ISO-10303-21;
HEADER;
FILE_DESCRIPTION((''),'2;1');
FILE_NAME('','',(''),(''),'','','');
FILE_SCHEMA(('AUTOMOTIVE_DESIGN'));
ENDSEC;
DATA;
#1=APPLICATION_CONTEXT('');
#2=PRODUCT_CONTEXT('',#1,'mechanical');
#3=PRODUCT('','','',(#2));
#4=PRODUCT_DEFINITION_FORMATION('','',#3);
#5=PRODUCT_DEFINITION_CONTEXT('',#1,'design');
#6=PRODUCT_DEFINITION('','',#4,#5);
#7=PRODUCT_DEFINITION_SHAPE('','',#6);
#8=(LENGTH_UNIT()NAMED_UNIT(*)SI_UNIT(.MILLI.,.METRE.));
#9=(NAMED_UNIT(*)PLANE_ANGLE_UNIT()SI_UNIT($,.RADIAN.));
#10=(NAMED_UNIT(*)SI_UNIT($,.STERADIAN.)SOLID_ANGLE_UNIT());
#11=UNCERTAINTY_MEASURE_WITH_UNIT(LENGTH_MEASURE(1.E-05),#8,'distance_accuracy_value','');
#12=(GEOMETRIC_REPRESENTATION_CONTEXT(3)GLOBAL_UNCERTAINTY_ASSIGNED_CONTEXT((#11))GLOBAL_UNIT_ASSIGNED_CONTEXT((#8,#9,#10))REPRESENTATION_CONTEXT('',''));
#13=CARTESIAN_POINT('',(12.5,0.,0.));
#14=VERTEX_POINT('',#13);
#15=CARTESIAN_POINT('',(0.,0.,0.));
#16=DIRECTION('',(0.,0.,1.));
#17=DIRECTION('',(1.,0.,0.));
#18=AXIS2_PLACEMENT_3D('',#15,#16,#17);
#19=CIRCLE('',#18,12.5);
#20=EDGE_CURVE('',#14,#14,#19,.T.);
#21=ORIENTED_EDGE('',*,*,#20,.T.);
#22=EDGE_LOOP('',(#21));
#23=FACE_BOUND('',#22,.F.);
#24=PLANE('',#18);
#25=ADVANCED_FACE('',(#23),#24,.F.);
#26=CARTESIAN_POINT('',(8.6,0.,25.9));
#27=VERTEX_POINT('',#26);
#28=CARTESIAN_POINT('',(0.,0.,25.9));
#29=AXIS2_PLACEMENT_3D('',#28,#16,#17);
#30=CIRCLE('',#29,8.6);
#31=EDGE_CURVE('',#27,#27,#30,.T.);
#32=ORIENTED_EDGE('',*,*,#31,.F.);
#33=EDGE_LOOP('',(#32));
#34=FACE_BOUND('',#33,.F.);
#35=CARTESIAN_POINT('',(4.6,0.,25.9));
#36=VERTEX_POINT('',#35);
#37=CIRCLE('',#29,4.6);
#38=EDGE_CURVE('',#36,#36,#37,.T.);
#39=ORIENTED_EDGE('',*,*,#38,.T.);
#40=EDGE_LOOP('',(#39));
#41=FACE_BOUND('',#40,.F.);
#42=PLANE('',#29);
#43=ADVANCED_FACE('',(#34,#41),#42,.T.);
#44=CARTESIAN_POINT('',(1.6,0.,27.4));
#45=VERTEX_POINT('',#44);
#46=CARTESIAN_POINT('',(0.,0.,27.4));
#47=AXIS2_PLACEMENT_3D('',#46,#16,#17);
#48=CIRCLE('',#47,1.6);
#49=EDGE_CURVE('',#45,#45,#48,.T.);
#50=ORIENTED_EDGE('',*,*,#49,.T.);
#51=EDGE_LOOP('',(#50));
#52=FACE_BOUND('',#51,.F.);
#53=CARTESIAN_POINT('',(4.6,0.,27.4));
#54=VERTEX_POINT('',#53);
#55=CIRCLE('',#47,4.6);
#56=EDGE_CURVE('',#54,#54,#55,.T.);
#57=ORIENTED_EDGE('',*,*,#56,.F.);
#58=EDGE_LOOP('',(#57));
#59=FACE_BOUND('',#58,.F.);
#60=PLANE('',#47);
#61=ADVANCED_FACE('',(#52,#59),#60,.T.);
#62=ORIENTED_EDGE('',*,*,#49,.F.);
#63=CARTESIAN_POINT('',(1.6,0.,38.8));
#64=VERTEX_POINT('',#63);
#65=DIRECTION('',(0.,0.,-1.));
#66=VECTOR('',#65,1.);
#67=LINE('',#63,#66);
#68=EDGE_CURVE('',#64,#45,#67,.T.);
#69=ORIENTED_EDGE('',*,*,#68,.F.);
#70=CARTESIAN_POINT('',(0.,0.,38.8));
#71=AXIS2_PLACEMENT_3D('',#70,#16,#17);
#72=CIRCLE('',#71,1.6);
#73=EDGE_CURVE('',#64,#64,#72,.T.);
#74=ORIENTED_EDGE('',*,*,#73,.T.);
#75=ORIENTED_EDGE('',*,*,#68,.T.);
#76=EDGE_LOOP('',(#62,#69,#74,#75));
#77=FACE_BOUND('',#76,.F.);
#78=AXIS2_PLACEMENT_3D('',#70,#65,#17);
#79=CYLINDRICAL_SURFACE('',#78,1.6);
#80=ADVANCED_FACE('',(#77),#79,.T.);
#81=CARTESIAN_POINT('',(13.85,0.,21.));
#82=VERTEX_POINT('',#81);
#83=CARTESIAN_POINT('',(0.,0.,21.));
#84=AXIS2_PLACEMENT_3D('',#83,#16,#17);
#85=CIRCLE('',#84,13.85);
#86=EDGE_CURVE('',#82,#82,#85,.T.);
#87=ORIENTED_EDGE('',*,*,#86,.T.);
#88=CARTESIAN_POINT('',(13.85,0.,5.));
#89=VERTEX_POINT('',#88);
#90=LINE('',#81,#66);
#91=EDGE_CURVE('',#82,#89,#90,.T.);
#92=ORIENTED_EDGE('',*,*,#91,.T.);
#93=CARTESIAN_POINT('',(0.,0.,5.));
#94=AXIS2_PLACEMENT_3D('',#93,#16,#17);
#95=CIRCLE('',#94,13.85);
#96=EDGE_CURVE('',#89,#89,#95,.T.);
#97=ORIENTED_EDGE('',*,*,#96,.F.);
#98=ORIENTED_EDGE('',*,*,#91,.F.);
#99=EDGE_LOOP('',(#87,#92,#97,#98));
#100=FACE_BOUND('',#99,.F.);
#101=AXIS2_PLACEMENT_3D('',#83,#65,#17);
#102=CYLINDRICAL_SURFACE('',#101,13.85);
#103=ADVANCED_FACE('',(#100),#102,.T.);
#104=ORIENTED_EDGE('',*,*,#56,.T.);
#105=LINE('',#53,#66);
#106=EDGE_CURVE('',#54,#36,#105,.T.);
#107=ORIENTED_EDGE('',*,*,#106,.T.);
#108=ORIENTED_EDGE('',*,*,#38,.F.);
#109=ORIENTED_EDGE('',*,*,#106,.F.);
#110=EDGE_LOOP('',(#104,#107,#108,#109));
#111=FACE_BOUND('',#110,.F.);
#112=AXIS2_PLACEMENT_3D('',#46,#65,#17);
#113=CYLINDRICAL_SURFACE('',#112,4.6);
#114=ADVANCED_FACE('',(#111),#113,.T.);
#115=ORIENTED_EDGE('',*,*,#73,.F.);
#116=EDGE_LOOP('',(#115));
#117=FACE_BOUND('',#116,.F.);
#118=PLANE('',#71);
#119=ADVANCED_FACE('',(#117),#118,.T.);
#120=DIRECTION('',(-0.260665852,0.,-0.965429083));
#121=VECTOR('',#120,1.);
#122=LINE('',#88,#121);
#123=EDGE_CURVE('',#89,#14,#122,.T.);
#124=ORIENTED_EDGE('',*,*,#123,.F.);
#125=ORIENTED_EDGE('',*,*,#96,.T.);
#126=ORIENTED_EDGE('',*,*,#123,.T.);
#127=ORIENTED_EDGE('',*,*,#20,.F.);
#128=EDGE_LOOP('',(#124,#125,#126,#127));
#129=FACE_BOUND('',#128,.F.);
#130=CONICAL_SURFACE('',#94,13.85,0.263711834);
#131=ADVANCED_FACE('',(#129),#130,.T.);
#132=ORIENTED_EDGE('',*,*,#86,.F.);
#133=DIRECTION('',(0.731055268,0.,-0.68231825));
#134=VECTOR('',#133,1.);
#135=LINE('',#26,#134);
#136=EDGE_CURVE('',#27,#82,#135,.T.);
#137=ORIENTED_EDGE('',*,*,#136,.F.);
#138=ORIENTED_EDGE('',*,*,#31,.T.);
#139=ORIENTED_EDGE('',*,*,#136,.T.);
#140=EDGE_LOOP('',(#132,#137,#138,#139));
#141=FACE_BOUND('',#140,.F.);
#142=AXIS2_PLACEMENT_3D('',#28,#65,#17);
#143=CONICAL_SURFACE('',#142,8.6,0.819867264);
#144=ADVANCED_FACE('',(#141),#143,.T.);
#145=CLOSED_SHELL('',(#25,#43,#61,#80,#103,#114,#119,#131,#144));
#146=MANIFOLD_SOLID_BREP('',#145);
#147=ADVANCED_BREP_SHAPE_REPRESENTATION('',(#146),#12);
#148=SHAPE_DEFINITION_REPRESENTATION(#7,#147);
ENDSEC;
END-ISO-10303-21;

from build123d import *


with BuildPart() as part:
    # Sketch → Revolution (revolve)
    with BuildSketch(Plane.XZ):
        Polygon((0, 0), (0, 38.8), (1.6, 38.8), (1.6, 27.4), (4.6, 27.4), (4.6, 25.9), (8.6, 25.9), (13.85, 21), (13.85, 5), (12.5, 0), align=None)
    revolve(axis=Axis((0, 0, 0), (0, 0, 1)))


solid = part.part
